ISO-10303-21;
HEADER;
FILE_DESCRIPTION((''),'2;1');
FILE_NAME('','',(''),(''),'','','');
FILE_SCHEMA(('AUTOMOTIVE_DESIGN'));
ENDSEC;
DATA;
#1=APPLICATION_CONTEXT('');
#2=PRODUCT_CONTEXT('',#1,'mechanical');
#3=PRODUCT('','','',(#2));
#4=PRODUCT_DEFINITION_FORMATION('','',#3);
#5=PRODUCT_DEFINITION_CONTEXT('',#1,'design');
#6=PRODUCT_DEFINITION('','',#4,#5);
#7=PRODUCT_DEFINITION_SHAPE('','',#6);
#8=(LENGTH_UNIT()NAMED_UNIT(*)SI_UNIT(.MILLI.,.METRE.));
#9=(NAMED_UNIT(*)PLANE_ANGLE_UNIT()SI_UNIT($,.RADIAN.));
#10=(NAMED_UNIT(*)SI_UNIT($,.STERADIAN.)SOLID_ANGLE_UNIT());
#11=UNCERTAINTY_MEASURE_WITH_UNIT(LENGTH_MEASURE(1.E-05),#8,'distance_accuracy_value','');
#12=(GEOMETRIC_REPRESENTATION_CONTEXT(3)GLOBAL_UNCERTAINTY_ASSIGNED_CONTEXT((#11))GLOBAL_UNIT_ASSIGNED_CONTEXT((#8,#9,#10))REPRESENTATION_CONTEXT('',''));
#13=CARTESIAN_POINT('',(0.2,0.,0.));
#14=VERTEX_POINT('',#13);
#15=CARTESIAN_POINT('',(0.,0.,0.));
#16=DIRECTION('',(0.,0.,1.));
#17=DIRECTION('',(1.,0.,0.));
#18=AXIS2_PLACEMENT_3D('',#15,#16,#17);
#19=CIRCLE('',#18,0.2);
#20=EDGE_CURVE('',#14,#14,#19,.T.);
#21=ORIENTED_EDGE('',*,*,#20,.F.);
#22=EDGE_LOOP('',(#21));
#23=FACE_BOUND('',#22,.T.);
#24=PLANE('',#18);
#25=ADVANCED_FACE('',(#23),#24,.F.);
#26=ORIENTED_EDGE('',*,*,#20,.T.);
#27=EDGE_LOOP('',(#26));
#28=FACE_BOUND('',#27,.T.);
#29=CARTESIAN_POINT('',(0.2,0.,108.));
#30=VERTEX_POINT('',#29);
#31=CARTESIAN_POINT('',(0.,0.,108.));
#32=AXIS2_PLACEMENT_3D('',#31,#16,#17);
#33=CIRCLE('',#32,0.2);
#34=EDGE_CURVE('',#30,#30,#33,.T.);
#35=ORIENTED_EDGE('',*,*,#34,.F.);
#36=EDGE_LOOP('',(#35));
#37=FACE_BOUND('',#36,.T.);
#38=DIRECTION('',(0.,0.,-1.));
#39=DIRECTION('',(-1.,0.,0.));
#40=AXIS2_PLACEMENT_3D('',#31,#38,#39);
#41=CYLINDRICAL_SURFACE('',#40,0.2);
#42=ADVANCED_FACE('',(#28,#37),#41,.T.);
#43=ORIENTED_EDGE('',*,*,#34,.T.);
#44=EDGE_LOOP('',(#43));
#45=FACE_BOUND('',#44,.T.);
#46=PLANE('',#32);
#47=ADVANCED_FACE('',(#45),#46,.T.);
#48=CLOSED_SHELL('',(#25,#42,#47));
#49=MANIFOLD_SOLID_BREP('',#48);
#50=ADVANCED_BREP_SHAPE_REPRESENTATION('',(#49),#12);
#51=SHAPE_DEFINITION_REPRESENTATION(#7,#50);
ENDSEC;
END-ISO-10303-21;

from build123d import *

# Parameters (mm, degrees)
SKETCH_1_R      = 0.2
EXTRUDE_1_DEPTH = 108


with BuildPart() as part:
    # 草图1 → 凸台-拉伸1 (new body)
    with BuildSketch(Plane.XY):
        Circle(SKETCH_1_R)
    extrude(amount=EXTRUDE_1_DEPTH)


solid = part.part
